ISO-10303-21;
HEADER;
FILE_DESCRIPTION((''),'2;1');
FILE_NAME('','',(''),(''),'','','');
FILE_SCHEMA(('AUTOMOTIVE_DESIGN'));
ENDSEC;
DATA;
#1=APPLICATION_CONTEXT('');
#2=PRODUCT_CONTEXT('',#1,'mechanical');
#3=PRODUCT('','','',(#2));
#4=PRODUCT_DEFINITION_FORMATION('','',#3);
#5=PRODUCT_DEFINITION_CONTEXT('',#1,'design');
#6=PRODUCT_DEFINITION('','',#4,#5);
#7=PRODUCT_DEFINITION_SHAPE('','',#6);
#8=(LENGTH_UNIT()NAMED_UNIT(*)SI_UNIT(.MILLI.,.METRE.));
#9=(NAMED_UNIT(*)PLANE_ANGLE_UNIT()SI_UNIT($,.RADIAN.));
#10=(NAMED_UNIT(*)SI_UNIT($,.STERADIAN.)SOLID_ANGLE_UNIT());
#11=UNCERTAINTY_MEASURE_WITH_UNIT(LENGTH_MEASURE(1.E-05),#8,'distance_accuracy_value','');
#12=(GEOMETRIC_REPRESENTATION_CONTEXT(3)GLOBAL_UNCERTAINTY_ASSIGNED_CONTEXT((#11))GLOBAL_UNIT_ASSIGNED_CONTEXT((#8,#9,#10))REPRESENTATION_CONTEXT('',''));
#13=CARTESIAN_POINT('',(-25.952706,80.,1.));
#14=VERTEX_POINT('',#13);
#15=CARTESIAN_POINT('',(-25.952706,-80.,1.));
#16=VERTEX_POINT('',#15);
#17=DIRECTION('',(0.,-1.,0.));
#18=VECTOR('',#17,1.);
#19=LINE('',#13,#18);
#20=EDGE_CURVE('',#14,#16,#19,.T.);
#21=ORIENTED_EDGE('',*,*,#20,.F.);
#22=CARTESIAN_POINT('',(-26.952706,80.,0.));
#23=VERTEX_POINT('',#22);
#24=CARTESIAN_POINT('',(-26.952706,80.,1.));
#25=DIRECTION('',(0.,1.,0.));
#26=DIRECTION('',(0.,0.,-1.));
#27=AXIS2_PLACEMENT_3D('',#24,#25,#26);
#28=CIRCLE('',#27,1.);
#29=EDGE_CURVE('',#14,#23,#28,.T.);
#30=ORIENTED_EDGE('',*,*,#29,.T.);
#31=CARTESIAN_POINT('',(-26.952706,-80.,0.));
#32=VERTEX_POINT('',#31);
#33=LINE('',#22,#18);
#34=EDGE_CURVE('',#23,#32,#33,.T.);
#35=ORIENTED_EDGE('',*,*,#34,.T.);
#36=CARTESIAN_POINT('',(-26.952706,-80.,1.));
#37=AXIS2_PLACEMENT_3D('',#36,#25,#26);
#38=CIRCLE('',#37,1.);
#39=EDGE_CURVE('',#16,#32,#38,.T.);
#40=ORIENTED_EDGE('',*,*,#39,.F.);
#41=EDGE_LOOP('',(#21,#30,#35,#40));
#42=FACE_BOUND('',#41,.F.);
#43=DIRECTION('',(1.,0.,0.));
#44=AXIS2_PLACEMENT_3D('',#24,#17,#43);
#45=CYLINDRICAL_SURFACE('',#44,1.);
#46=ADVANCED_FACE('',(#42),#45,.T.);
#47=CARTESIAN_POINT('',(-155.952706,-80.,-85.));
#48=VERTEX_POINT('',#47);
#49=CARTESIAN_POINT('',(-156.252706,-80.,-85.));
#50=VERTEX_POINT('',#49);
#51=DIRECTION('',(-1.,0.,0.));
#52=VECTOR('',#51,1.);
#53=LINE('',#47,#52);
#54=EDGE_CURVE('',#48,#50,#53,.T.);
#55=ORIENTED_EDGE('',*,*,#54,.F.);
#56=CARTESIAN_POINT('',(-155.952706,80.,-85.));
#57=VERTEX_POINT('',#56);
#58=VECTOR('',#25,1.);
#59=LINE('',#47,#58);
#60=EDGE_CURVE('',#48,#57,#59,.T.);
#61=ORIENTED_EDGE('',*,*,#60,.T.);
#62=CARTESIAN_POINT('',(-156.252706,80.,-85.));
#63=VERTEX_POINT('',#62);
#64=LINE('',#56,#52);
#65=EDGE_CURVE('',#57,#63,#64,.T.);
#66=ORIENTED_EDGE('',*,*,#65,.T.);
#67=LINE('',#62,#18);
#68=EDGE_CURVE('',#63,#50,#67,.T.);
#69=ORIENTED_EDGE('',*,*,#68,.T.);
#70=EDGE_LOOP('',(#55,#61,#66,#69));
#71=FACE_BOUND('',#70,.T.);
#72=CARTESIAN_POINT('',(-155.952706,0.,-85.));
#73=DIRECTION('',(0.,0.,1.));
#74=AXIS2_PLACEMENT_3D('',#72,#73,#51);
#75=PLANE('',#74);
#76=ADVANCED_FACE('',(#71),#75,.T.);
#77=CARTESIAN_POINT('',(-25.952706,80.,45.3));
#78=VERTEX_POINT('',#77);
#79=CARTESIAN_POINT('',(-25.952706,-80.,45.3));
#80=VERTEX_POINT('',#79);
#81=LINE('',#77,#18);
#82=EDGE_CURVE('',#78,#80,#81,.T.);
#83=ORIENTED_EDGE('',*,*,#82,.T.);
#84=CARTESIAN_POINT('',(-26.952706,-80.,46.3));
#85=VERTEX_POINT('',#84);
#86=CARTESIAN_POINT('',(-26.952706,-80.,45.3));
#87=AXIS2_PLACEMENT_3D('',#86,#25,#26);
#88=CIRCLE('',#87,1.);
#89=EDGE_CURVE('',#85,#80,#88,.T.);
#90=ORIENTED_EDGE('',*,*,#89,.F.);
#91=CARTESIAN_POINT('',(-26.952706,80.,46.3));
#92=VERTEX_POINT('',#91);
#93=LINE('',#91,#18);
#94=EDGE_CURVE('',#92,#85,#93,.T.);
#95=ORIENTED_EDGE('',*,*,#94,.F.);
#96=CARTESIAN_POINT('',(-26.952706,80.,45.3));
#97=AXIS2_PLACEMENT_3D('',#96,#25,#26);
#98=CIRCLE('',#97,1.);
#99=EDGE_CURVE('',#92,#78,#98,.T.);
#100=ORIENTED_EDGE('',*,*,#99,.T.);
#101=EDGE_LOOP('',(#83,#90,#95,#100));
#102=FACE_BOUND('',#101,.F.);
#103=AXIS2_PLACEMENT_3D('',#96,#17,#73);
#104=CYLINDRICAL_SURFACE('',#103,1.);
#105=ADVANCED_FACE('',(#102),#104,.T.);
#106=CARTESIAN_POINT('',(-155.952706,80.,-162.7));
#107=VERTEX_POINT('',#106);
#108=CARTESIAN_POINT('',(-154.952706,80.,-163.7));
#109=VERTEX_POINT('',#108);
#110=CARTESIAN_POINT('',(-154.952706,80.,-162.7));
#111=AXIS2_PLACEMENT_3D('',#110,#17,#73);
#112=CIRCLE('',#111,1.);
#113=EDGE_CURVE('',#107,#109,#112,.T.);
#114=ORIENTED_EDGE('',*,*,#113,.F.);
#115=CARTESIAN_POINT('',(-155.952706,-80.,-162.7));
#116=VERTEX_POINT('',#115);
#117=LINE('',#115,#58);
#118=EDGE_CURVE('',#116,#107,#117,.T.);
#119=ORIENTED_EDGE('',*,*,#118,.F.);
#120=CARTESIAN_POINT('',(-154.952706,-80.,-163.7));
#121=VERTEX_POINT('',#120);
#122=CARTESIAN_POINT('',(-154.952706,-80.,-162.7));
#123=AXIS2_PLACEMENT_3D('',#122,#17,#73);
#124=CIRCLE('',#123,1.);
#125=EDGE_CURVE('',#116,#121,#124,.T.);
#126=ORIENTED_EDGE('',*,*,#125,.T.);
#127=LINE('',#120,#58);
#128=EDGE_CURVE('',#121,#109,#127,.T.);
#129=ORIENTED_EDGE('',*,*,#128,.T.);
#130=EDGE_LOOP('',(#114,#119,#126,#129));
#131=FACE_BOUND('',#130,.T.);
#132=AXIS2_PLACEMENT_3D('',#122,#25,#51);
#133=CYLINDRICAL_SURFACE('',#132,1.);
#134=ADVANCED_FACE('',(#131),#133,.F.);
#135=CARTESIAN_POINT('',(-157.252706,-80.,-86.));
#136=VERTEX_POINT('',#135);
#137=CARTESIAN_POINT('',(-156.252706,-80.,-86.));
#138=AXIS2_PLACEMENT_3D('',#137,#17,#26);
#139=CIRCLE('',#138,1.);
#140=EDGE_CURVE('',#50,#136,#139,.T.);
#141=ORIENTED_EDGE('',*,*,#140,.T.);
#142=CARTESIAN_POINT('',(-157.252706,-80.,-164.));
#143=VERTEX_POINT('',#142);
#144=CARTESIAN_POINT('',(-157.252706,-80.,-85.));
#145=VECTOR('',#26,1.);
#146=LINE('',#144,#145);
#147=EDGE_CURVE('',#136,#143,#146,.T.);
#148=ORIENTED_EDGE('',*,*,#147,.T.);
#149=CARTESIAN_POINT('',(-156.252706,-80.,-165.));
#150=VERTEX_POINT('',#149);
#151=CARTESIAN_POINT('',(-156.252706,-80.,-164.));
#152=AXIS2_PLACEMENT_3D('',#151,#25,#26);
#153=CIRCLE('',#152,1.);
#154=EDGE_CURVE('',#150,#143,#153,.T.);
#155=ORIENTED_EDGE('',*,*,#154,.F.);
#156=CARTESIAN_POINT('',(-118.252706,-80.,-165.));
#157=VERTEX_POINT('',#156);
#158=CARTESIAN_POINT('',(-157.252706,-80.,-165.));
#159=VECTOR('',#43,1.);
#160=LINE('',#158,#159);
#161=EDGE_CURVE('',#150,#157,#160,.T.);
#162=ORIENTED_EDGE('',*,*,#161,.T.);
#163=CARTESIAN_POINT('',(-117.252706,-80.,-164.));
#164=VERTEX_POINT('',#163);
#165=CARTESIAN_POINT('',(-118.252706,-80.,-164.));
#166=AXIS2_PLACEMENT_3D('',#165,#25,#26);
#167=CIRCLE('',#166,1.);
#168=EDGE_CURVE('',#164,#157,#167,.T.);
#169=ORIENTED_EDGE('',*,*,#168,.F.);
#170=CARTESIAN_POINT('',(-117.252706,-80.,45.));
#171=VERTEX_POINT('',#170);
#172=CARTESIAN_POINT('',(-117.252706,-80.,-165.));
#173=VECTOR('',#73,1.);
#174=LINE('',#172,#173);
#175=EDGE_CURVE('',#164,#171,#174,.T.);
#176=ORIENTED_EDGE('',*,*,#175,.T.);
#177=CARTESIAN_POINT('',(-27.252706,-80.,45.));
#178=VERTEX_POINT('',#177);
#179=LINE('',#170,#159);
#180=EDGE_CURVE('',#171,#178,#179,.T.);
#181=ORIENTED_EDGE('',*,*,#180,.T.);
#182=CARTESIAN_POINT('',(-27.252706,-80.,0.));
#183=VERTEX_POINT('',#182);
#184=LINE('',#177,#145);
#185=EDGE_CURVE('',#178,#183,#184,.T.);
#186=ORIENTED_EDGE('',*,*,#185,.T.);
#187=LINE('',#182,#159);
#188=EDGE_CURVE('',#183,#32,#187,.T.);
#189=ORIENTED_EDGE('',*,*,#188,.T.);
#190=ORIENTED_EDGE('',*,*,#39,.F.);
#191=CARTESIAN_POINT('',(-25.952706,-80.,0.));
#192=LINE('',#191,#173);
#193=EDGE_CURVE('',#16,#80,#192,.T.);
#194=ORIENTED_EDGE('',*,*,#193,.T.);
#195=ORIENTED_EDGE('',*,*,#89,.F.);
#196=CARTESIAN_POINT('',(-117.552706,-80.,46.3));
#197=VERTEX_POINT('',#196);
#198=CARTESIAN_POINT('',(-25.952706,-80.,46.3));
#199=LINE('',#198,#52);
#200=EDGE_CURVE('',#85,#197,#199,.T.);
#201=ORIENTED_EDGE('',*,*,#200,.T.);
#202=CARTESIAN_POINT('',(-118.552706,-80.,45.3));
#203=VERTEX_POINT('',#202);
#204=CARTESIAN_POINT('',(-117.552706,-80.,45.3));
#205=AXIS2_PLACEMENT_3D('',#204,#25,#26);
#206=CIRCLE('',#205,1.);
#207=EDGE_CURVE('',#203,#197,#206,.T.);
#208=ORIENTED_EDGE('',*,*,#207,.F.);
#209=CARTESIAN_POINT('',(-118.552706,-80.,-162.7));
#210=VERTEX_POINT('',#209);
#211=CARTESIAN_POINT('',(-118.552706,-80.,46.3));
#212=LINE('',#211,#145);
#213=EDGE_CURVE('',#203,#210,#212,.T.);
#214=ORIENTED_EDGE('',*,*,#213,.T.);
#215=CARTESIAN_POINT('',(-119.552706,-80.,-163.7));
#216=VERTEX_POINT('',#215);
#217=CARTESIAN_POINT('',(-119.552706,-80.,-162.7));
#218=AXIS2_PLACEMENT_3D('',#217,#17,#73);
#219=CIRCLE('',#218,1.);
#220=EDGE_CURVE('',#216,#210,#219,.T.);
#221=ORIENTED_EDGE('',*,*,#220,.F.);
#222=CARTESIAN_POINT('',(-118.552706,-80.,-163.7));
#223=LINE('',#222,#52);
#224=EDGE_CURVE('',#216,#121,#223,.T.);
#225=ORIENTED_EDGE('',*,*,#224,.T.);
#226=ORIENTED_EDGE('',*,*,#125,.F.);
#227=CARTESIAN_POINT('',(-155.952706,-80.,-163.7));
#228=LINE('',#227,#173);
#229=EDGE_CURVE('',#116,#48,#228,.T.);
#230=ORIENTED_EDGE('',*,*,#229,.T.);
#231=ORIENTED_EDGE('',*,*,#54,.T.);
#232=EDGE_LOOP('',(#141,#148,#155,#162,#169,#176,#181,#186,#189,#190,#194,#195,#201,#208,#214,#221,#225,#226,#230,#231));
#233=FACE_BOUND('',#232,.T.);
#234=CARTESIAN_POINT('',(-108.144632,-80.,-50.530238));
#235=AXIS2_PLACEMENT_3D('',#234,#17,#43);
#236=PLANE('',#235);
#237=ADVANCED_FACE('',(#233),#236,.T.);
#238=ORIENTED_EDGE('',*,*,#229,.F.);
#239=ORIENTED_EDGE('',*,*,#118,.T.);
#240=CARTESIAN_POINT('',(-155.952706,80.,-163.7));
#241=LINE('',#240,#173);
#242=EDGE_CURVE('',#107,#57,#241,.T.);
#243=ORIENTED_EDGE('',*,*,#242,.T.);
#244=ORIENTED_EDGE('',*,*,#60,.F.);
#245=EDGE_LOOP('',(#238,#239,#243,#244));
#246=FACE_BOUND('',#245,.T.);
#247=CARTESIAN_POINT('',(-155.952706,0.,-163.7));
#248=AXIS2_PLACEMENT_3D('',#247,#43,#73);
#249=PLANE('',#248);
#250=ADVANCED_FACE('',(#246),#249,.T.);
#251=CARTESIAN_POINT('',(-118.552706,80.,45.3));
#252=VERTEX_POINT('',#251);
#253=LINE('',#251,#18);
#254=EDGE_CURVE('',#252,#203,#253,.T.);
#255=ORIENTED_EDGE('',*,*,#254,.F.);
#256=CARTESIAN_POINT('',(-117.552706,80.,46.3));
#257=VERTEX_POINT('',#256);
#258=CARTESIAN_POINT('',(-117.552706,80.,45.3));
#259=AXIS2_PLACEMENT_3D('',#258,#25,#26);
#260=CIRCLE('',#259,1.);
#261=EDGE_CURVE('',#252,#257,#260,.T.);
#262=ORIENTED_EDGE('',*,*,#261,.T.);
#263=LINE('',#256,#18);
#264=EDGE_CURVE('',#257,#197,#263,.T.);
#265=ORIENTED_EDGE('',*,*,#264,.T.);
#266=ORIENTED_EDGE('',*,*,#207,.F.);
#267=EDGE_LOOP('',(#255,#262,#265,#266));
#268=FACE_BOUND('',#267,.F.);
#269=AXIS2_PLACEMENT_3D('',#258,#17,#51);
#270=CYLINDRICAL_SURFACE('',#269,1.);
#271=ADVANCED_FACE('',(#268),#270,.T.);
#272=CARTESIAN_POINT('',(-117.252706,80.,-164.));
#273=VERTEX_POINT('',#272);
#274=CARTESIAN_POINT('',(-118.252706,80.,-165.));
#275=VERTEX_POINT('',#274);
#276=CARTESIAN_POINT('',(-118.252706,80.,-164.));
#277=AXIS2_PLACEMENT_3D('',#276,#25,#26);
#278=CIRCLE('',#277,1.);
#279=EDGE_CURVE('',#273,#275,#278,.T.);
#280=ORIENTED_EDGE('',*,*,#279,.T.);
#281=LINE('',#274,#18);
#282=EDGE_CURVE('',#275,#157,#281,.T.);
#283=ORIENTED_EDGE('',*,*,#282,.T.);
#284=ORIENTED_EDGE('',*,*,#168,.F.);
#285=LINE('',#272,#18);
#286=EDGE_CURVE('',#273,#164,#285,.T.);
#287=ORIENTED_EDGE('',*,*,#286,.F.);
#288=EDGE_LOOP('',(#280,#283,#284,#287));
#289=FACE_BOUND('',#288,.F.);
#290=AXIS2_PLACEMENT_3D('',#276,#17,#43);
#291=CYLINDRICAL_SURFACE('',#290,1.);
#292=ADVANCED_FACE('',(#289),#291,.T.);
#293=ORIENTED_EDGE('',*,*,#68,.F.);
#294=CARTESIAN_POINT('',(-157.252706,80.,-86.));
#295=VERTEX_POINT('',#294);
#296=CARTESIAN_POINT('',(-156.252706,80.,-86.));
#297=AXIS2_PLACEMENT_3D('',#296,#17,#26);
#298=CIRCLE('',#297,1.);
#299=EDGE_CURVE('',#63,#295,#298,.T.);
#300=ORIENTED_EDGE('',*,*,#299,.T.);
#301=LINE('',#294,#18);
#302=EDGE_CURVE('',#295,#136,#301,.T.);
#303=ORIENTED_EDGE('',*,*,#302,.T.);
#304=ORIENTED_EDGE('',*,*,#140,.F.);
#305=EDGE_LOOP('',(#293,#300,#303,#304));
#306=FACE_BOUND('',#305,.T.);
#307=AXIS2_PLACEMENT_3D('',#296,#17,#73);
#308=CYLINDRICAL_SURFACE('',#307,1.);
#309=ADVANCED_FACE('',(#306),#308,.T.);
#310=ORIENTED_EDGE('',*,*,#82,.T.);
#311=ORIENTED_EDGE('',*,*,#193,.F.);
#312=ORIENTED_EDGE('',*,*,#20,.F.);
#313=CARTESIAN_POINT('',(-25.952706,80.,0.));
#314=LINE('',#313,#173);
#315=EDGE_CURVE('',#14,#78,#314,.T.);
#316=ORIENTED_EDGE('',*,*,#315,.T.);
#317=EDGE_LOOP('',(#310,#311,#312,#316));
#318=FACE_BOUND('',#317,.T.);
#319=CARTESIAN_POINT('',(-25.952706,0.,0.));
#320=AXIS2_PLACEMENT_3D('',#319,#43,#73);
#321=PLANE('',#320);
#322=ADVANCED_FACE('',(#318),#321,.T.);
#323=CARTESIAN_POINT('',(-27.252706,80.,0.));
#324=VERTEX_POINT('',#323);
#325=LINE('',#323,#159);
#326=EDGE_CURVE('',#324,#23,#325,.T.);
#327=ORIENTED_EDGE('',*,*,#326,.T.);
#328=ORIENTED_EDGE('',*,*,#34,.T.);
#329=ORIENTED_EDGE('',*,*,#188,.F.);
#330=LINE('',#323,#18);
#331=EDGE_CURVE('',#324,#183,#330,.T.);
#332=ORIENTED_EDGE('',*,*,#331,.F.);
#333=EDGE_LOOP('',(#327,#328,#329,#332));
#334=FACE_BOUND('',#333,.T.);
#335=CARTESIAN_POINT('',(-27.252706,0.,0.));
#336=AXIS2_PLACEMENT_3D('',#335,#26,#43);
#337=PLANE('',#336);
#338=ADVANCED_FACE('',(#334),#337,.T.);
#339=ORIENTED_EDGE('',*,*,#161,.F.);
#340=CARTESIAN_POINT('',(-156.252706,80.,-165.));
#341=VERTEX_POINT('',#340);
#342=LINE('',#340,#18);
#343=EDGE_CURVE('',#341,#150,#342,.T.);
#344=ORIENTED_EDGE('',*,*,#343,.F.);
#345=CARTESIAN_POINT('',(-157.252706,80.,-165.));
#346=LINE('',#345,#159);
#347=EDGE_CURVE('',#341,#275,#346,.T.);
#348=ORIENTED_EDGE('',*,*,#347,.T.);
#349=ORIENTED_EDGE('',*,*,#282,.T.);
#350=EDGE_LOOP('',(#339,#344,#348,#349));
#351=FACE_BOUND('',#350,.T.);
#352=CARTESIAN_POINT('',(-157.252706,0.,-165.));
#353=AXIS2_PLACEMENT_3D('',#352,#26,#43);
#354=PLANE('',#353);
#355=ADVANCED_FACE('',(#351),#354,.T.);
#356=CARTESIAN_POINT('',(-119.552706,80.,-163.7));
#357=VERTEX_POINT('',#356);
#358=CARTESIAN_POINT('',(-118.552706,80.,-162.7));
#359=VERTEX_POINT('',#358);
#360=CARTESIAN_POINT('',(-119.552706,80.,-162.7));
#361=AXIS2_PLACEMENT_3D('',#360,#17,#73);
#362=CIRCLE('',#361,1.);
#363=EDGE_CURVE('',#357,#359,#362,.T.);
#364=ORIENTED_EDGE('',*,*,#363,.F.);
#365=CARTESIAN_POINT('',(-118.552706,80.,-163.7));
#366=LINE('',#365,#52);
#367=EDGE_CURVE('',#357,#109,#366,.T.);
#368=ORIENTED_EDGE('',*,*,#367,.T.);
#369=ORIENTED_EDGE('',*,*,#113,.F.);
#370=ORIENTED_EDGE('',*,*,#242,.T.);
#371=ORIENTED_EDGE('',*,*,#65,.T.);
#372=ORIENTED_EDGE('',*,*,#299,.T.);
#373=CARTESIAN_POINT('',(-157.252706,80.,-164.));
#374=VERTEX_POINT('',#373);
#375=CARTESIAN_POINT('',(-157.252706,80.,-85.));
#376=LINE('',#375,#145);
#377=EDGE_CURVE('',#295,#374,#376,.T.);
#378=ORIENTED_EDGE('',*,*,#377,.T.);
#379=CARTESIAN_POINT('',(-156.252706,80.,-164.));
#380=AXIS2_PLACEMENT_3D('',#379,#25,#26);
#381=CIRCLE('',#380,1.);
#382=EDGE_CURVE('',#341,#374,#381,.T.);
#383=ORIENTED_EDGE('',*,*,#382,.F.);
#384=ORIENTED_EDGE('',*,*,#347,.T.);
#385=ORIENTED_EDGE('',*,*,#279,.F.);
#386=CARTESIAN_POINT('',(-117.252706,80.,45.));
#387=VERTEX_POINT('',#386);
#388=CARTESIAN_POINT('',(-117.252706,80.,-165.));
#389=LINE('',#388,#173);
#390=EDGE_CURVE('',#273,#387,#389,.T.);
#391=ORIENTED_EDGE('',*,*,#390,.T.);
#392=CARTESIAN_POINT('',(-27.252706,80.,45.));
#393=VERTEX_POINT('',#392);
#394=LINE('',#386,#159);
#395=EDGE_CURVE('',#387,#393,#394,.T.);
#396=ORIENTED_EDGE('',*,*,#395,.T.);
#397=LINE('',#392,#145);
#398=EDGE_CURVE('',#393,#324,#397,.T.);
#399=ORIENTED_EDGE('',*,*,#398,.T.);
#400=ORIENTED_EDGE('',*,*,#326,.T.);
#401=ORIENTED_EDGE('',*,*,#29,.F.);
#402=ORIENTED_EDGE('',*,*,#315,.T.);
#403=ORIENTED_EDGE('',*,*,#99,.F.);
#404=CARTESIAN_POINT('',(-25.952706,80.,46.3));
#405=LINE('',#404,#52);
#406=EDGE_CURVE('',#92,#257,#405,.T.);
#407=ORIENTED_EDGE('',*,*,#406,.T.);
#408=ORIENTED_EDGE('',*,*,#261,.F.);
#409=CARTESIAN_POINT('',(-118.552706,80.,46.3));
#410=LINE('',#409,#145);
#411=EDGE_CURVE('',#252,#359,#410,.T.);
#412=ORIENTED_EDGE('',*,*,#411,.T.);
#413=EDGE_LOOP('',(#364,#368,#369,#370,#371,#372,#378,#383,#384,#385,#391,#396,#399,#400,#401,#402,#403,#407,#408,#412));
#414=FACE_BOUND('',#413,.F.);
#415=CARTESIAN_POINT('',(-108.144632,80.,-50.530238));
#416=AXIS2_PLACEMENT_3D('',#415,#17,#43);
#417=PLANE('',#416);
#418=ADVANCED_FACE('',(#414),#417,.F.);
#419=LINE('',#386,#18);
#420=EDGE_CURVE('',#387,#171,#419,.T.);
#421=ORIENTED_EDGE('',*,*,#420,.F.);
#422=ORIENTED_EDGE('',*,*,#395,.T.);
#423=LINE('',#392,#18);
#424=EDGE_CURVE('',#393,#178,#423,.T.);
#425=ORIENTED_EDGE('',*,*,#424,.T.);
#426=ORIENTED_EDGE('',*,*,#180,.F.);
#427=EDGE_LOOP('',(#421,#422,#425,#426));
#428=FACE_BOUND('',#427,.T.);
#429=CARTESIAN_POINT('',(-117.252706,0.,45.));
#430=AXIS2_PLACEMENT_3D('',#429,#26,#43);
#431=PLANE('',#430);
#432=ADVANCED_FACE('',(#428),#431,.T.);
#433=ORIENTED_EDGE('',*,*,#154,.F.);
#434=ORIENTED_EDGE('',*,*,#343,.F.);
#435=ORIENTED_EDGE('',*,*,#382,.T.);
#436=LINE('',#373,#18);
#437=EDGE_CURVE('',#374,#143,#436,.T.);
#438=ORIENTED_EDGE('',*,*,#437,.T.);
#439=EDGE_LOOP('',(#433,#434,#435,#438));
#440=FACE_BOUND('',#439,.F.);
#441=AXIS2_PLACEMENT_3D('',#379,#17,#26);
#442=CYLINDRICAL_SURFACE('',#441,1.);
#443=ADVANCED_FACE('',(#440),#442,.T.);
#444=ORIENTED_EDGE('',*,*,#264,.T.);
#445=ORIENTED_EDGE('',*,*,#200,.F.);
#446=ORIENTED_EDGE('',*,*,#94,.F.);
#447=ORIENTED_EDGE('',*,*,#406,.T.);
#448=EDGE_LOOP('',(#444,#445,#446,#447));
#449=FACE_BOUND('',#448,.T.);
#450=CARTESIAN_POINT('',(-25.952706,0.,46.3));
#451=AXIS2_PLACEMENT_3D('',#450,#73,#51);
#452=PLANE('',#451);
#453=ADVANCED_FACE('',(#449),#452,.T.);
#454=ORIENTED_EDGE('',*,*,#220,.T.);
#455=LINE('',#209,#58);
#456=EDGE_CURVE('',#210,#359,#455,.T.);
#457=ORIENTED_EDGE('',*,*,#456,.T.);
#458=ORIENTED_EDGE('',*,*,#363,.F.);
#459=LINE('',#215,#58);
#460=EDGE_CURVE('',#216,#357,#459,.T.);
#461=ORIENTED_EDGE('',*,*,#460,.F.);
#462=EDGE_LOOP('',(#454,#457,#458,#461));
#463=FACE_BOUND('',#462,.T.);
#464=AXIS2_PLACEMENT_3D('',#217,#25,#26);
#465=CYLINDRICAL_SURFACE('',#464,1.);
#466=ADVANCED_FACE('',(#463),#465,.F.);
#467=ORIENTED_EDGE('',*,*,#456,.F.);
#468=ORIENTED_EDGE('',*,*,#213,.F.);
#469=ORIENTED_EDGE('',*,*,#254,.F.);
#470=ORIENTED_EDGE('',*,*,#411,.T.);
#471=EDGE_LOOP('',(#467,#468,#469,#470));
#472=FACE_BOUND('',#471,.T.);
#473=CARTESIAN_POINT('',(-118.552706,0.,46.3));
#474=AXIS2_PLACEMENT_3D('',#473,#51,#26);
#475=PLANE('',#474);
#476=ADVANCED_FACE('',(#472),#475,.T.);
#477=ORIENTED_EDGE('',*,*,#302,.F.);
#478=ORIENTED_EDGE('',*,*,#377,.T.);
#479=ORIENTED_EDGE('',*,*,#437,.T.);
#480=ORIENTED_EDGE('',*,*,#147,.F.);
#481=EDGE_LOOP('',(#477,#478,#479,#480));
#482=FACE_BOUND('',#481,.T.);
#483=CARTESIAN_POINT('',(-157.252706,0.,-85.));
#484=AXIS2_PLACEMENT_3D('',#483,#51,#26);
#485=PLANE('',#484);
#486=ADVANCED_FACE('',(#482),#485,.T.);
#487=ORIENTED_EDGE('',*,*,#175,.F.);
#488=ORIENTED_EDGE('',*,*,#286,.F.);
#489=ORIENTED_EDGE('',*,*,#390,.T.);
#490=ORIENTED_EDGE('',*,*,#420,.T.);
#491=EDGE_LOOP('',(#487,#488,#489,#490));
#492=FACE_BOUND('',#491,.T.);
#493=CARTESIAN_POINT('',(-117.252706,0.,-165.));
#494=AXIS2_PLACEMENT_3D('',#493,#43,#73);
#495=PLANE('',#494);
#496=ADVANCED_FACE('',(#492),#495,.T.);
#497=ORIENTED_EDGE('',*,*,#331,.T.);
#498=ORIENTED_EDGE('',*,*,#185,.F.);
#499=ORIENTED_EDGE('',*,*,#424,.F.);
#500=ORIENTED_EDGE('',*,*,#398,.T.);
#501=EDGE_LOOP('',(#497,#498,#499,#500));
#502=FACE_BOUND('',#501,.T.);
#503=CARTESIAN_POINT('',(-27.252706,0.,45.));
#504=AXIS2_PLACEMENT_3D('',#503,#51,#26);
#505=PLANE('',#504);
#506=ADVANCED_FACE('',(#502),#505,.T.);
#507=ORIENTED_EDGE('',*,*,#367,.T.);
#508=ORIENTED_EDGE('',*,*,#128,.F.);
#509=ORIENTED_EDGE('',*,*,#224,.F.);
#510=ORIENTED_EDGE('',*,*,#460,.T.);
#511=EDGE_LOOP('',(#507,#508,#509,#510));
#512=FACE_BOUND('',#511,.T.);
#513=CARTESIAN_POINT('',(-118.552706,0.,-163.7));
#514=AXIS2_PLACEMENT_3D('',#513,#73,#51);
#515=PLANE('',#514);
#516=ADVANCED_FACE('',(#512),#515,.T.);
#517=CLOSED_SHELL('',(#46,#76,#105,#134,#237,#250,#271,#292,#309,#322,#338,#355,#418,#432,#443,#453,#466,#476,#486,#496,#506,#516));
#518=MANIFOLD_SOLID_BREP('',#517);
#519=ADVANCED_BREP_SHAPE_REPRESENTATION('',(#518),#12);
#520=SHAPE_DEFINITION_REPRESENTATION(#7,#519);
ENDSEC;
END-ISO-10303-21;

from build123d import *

# Parameters (mm, degrees)
F1_DEPTH = 80
F2_R     = 1


with BuildPart() as f1:
    # F0 (on Front) → F1 (new body, symmetric)
    with BuildSketch(Plane.XZ):
        Polygon((-155.952706, -85), (-157.252706, -85), (-157.252706, -165), (-117.252706, -165), (-117.252706, 45), (-27.252706, 45), (-27.252706, 0), (-25.952706, 0), (-25.952706, 46.3), (-118.552706, 46.3), (-118.552706, -163.7), (-155.952706, -163.7), align=None)
    extrude(amount=F1_DEPTH, both=True)

    # F2
    f2_edges = [f1.edges().sort_by_distance(p)[0] for p in [
        (-118.552706, 0, 46.3),
        (-25.952706, 0, 46.3),
        (-117.252706, 0, -165),
        (-157.252706, 0, -165),
        (-25.952706, 0, 0),
        (-157.252706, 0, -85),
        (-155.952706, 0, -163.7),
        (-118.552706, 0, -163.7),
    ]]
    fillet(f2_edges, radius=F2_R)


solid = f1.part
